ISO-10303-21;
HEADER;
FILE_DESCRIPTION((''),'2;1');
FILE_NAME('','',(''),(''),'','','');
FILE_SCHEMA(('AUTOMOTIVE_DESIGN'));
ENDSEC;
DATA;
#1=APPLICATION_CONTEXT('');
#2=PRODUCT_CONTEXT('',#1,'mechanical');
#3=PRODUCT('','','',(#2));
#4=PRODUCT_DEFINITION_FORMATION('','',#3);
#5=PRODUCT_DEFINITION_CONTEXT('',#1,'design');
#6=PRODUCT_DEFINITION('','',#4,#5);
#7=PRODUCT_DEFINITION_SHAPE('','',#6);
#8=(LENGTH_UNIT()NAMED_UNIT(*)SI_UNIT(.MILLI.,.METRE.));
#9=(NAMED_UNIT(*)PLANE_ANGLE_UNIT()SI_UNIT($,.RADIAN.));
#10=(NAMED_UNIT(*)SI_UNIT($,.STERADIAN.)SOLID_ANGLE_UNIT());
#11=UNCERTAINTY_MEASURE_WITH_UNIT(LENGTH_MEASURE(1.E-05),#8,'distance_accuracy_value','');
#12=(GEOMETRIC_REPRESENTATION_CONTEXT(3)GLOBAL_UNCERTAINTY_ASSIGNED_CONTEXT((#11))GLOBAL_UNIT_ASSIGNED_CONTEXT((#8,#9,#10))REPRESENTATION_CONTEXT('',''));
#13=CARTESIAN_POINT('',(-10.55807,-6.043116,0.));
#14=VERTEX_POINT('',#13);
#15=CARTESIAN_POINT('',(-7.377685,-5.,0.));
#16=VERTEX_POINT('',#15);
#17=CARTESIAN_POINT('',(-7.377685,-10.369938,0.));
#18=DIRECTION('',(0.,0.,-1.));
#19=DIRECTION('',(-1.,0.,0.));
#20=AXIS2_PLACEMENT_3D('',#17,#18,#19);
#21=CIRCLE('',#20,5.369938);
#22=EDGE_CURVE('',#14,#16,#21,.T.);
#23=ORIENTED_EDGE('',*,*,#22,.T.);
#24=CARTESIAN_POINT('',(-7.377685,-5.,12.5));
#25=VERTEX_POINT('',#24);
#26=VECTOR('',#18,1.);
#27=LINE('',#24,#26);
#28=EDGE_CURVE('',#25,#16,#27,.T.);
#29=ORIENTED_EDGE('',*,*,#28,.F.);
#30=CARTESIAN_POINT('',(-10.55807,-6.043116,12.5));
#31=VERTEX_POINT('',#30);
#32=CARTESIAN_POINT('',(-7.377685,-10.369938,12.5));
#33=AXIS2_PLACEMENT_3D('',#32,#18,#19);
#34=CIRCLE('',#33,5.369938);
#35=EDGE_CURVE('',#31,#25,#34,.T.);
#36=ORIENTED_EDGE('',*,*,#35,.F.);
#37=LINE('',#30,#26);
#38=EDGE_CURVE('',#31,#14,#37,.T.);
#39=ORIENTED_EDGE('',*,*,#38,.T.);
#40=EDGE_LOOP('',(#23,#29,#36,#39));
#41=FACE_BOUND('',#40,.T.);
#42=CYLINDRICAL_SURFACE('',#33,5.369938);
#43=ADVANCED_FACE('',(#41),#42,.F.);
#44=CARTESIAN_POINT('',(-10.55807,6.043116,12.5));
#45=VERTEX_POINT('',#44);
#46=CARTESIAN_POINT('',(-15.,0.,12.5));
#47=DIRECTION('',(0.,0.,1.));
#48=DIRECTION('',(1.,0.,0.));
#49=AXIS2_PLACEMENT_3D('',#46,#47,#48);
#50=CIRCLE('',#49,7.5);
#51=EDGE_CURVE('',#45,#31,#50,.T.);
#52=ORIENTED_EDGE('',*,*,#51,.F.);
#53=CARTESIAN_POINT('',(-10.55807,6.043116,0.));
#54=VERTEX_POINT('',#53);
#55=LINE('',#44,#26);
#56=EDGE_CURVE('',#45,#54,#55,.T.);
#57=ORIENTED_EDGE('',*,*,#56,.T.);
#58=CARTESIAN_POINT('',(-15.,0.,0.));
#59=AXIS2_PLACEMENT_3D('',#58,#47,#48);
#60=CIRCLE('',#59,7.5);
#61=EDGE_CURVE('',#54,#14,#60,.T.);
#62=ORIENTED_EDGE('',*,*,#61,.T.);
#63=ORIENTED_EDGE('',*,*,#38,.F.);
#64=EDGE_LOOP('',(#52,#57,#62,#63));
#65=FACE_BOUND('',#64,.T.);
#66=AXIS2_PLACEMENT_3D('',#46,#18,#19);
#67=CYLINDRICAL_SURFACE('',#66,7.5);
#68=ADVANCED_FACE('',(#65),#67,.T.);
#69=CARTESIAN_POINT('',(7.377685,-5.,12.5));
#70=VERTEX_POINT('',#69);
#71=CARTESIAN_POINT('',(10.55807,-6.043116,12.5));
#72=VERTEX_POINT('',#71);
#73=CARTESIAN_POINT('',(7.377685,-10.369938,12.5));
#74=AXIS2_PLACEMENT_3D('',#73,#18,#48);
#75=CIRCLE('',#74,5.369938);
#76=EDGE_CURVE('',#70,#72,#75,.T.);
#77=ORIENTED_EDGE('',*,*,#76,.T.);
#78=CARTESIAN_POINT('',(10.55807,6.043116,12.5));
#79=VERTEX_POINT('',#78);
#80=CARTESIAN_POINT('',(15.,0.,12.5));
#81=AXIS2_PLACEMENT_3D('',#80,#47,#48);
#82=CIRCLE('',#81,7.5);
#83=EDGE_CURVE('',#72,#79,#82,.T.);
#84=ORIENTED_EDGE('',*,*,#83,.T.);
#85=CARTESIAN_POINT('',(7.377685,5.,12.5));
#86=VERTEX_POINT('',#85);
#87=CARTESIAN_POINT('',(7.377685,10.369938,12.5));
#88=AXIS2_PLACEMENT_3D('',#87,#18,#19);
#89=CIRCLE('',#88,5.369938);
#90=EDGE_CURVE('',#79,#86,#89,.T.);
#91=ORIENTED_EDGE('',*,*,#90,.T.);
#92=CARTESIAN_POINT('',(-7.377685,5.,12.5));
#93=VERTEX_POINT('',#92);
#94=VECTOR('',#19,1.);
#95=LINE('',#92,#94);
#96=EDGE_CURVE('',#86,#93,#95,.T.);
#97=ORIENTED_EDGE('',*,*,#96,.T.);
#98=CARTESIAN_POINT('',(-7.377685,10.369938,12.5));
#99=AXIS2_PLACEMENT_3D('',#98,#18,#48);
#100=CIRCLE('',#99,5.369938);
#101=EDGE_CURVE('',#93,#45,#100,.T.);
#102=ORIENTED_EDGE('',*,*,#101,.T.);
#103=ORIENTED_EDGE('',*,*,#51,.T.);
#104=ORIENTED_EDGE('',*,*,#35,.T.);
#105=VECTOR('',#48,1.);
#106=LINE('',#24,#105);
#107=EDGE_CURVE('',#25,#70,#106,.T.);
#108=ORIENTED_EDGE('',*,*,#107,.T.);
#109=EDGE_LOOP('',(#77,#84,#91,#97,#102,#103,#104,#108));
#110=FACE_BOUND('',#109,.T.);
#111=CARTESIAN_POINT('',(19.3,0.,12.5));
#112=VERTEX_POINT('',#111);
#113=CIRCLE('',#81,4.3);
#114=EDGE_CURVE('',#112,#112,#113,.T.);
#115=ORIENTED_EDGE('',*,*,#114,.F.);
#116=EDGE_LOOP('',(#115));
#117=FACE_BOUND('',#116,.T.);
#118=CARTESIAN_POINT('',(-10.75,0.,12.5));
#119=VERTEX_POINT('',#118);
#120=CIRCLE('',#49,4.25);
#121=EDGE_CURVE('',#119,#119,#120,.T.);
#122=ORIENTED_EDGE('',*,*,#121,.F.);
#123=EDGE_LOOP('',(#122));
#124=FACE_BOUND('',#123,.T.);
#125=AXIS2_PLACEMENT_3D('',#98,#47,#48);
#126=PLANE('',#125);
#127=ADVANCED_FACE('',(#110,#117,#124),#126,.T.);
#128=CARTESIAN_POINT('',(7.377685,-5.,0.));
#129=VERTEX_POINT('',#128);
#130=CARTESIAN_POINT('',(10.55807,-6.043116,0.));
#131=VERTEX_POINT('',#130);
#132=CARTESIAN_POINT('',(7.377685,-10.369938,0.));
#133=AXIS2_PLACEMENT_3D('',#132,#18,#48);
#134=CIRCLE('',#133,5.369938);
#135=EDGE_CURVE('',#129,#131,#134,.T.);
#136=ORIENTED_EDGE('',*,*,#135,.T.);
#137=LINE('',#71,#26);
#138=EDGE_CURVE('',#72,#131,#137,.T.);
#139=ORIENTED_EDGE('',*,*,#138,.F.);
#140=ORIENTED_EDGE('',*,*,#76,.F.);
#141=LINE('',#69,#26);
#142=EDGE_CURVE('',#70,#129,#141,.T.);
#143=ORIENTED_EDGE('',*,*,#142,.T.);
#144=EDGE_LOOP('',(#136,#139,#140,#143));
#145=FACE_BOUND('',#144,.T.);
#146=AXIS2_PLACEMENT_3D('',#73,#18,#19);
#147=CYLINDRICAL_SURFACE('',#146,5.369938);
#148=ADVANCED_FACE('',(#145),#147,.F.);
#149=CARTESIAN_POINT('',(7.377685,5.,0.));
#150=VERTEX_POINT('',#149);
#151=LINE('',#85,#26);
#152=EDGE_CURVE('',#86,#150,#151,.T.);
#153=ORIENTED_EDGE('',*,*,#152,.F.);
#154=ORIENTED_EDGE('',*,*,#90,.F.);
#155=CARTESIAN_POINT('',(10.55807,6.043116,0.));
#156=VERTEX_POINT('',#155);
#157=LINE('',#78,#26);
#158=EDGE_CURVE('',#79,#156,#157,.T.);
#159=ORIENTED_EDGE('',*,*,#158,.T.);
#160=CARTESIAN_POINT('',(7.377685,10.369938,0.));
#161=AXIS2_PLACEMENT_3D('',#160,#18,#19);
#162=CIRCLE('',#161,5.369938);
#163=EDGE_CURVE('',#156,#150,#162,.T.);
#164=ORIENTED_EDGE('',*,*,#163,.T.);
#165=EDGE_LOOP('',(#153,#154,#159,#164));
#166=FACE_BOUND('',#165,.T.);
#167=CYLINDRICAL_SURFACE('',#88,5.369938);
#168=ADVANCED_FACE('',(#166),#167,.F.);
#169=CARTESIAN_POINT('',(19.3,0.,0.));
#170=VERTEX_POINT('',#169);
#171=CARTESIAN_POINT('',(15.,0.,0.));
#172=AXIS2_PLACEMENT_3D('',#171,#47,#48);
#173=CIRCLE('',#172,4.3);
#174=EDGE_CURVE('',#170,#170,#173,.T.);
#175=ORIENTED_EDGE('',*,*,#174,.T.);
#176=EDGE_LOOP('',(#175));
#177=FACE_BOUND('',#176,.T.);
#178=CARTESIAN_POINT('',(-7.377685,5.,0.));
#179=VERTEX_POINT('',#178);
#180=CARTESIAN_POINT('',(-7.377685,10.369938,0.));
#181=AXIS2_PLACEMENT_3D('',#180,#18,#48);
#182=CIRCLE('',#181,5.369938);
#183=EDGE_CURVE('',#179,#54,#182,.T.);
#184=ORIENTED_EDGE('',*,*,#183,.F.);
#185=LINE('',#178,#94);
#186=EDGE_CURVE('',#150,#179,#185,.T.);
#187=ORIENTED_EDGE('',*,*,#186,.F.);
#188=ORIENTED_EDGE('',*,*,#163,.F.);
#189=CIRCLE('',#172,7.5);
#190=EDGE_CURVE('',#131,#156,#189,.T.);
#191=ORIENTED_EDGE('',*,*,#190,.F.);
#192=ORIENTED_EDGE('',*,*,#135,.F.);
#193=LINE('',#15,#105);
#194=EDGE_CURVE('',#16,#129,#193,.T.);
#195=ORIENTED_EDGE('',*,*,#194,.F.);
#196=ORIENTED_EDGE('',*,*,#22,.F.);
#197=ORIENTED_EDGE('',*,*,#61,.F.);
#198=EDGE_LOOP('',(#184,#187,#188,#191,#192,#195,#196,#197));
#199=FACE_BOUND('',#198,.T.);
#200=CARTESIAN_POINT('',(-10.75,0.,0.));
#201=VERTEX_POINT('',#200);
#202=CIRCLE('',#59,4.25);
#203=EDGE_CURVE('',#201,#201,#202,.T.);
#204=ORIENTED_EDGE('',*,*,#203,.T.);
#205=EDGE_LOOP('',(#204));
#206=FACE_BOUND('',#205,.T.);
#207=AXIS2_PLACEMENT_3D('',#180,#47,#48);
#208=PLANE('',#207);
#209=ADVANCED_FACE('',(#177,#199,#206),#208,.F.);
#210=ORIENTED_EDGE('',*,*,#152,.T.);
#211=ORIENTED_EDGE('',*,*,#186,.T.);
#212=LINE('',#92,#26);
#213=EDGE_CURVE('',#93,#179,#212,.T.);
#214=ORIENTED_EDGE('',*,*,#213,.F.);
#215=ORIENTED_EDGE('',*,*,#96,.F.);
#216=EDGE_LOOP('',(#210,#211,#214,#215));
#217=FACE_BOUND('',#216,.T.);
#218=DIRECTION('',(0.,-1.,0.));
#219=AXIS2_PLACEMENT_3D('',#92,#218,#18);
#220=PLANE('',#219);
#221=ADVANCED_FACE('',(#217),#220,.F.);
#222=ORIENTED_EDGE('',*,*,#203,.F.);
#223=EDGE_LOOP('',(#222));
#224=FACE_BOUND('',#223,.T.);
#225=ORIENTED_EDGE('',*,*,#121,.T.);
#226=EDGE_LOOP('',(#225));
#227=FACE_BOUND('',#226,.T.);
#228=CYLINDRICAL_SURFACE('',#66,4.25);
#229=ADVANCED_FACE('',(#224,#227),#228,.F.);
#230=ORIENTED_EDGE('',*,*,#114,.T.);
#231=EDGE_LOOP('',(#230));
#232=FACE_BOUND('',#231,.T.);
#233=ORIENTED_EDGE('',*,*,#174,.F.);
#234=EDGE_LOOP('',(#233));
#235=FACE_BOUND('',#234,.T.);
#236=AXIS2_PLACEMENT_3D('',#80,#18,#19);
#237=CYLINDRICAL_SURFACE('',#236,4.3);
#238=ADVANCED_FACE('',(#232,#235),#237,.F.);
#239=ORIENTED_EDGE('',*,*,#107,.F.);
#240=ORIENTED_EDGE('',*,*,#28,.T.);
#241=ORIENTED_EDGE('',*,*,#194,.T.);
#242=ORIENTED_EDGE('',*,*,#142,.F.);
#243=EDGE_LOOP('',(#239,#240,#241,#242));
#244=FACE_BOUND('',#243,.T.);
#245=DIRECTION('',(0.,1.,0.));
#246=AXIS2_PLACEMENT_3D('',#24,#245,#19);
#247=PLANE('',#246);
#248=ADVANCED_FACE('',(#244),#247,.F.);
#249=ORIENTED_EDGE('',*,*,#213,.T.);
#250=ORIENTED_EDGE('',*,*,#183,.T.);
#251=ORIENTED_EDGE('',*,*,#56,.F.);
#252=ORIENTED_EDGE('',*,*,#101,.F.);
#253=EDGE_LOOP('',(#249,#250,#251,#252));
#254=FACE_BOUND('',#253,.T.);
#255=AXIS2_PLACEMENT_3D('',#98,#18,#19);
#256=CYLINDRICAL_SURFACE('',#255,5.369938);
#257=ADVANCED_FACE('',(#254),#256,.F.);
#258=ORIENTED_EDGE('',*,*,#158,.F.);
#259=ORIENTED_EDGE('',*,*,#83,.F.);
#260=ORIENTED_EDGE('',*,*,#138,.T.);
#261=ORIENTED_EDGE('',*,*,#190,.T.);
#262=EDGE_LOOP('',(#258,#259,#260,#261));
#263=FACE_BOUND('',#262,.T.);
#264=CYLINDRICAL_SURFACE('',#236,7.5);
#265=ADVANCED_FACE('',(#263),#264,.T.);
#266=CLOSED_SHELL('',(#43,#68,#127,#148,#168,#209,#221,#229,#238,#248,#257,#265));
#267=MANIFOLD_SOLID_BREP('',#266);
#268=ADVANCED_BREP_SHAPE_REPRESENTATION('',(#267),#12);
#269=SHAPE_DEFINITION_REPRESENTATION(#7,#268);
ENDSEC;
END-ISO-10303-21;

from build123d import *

# Parameters (mm, degrees)
CROQUIS1_R              = 4.25
CROQUIS1_R_2            = 4.3
SALIENTE_EXTRUIR1_DEPTH = 12.5


with BuildPart() as part:
    # Croquis1 → Saliente-Extruir1 (new body)
    with BuildSketch(Plane.XY):
        with BuildLine():
            Line((-7.377684836, -5), (7.377684836, -5))
            ThreePointArc((7.377684836, -5), (9.051224581, -5.267438742), (10.558069892, -6.04311649))
            ThreePointArc((10.558069892, -6.04311649), (22.5, 0), (10.558069892, 6.04311649))
            ThreePointArc((10.558069892, 6.04311649), (9.051224581, 5.267438742), (7.377684836, 5))
            Line((7.377684836, 5), (-7.377684836, 5))
            ThreePointArc((-7.377684836, 5), (-9.051224581, 5.267438742), (-10.558069892, 6.04311649))
            ThreePointArc((-10.558069892, 6.04311649), (-22.5, 0), (-10.558069892, -6.04311649))
            ThreePointArc((-10.558069892, -6.04311649), (-9.051224581, -5.267438742), (-7.377684836, -5))
        make_face()
        with Locations((-15, 0)):
            Circle(CROQUIS1_R, mode=Mode.SUBTRACT)
        with Locations((15, 0)):
            Circle(CROQUIS1_R_2, mode=Mode.SUBTRACT)
    extrude(amount=SALIENTE_EXTRUIR1_DEPTH)


solid = part.part
